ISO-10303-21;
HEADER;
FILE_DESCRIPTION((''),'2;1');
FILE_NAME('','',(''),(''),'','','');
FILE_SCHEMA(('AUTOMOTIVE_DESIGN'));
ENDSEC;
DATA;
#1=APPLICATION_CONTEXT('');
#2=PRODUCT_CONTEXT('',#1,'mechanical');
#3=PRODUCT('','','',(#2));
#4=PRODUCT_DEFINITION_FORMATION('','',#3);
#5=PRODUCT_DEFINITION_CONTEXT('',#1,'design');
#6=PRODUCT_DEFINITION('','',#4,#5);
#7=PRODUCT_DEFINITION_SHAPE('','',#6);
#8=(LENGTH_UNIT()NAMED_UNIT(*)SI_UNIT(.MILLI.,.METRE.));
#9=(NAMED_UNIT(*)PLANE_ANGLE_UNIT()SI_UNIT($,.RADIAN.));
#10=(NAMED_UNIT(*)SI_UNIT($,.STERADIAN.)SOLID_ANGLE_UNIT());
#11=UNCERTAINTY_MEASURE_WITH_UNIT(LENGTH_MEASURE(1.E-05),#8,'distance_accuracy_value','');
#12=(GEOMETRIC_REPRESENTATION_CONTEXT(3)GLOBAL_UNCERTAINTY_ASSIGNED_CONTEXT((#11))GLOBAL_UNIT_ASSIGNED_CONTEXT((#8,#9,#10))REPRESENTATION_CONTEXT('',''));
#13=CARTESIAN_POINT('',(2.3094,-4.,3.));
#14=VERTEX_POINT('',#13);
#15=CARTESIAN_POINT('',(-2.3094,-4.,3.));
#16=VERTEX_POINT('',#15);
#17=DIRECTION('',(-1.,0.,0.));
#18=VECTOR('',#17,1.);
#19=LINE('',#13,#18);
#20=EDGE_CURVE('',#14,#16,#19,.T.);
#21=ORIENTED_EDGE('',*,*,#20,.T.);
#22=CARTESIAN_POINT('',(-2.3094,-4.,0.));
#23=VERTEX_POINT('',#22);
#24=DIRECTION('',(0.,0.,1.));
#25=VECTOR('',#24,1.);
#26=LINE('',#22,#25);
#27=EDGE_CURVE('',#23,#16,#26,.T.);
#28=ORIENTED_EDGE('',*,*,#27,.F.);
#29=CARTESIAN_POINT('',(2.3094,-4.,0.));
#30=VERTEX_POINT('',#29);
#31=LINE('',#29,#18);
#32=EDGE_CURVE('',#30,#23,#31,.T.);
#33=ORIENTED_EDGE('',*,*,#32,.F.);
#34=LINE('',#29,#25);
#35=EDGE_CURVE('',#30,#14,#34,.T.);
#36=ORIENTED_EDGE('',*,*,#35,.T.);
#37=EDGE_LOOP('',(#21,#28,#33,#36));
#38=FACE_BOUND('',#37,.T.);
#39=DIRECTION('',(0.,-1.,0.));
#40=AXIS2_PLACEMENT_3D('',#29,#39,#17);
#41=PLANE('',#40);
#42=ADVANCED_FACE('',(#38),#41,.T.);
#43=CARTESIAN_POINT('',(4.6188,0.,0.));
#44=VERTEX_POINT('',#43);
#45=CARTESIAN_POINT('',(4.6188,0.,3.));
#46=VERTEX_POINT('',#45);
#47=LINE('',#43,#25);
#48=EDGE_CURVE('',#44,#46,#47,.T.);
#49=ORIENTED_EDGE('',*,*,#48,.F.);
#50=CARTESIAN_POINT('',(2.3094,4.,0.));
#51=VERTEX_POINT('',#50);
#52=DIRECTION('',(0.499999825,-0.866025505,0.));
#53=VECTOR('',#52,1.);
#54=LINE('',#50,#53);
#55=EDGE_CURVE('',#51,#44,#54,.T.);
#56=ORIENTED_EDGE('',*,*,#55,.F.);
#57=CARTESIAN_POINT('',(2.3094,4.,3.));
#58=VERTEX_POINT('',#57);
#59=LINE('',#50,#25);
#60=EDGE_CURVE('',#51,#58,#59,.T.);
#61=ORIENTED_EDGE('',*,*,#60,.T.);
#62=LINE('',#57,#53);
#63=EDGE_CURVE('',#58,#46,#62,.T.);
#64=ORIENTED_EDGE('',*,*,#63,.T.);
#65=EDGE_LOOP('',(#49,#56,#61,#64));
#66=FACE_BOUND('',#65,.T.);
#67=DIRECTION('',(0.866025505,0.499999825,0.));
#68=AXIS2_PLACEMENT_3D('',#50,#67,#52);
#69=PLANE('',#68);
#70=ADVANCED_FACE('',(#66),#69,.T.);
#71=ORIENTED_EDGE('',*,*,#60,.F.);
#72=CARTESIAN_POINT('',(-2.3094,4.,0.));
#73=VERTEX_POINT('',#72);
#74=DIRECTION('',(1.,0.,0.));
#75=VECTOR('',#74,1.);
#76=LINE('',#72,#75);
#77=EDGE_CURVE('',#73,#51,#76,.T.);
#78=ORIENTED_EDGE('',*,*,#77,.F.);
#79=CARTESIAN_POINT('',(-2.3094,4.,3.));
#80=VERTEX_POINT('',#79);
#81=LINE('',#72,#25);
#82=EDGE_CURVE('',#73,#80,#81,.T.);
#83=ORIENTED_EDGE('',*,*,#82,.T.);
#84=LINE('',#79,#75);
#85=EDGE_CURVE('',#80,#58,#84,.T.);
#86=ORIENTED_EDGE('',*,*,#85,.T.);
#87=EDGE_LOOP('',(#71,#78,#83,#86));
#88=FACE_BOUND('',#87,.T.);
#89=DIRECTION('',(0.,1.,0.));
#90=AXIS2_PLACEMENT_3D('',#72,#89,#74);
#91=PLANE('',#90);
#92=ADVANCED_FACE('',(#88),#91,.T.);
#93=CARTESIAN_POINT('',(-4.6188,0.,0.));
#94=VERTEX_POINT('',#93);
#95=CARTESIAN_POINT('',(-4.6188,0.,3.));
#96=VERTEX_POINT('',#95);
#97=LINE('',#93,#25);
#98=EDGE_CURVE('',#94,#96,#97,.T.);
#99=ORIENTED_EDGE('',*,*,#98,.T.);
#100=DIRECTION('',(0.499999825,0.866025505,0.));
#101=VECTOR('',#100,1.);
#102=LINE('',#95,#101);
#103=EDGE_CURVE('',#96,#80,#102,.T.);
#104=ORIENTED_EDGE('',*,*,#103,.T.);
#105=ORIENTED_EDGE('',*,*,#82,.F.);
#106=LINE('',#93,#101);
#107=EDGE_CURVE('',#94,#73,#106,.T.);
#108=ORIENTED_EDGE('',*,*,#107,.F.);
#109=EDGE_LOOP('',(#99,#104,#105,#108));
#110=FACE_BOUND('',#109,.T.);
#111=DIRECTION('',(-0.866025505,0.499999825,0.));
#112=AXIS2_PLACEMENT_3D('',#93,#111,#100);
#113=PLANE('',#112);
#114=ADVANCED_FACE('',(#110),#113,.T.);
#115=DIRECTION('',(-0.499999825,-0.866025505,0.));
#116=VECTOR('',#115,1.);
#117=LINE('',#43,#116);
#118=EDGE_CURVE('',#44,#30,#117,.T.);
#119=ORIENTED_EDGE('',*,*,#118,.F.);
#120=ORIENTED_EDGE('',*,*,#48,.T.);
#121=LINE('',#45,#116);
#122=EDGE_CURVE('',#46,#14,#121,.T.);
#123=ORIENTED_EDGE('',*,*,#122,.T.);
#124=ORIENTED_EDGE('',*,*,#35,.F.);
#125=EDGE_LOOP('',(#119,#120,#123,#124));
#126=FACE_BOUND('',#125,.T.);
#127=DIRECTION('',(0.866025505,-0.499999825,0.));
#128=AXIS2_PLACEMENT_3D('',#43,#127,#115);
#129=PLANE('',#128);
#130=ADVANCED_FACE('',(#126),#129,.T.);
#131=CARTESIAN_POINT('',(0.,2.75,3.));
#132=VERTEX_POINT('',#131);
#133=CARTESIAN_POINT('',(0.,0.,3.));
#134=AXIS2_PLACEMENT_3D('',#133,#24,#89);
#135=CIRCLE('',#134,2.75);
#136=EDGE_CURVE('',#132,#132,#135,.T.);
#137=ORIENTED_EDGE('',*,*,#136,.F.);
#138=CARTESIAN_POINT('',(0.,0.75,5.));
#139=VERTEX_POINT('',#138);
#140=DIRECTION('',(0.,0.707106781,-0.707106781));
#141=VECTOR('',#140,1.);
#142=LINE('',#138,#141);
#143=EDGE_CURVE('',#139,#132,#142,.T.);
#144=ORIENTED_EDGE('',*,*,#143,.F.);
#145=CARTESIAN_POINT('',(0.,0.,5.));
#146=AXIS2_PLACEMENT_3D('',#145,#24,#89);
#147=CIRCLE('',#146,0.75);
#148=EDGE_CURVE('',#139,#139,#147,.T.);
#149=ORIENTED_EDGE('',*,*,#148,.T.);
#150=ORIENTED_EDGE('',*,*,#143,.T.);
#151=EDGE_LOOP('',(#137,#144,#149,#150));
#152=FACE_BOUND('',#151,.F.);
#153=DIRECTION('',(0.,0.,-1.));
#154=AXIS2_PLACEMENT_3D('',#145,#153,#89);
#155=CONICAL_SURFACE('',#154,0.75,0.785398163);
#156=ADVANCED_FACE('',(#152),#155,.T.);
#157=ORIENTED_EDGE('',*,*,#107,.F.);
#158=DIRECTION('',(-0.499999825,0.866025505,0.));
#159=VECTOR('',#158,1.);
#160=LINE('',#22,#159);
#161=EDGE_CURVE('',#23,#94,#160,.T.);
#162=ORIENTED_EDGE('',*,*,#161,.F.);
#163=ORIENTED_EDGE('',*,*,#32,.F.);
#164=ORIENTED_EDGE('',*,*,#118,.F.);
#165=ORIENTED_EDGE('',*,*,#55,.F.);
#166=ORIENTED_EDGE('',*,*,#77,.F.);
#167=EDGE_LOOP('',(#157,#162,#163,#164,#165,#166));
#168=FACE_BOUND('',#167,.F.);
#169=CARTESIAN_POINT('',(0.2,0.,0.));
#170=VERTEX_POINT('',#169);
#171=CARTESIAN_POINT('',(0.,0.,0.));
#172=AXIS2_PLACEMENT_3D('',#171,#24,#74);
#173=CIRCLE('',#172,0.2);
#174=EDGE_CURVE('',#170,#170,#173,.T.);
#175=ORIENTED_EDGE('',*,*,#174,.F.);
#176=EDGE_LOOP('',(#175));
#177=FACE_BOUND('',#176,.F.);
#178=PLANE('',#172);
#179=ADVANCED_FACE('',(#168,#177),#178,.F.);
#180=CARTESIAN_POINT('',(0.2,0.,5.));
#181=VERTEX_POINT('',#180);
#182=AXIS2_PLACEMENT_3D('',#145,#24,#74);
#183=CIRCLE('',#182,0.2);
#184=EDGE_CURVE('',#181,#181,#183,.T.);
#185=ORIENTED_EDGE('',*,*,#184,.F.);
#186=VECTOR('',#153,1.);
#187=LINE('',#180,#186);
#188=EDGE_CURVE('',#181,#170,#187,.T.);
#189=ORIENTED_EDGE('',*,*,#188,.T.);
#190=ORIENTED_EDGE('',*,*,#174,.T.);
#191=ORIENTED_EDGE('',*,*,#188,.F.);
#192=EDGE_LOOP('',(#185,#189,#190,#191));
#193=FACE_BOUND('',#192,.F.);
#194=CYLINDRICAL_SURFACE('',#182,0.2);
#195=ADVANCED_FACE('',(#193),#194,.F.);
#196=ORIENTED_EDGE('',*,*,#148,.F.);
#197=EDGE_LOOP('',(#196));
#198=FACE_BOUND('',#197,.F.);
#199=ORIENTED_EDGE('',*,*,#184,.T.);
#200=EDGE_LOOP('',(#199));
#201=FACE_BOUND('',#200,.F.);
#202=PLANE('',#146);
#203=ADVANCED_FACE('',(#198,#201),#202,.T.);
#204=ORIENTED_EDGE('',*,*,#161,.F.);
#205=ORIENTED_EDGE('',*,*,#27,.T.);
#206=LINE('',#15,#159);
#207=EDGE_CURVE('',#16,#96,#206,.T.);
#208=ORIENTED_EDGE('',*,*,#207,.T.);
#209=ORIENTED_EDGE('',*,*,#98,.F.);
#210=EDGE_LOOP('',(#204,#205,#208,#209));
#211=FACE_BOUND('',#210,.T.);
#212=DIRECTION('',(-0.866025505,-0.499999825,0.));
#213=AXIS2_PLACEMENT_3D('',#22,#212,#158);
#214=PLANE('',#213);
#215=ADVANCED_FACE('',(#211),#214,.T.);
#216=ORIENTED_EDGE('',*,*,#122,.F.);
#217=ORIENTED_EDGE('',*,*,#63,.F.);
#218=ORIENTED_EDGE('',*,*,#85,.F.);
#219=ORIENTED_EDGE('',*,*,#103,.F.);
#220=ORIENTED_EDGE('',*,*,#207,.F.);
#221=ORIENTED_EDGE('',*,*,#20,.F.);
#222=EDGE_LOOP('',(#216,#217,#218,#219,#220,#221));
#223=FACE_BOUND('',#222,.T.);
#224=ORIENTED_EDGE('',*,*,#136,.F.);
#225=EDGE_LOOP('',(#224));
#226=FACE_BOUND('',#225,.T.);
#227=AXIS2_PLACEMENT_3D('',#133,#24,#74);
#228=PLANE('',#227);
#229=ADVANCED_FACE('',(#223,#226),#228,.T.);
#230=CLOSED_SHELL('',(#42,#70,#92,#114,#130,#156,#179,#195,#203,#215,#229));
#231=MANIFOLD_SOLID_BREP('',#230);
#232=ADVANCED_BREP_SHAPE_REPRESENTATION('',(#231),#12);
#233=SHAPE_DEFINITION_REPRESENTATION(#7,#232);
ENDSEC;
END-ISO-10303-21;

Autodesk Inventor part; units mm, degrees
ref_plane "XZ Plane" through (0, 0, 0) normal (0, 1, 0) x (-1, 0, 0)
ref_plane "XY Plane" through (0, 0, 0) normal (0, 0, 1) x (1, 0, 0)
sketch "Sketch1" plane through (0, 0, 0) normal (0, 0, 1) x (1, 0, 0)
  line L0 (2.3094, 4) -> (4.6188, 0)
  line L1 (4.6188, 0) -> (2.3094, -4)
  line L2 (2.3094, -4) -> (-2.3094, -4)
  line L3 (-2.3094, -4) -> (-4.6188, 0)
  line L4 (-4.6188, 0) -> (-2.3094, 4)
  line L5 (-2.3094, 4) -> (2.3094, 4)
  point P0 (0, 0)
  point P1 (0, 0)
  dimension "d0" = 8
extrude "Extrusion1" add sketch "Sketch1" along normal blind 3
ref_plane "Work Plane1" through (0, 0, 0) normal (1, 0, 0) x (0, 1, 0)
sketch "Sketch2" plane through (0, 0, 0) normal (1, 0, 0) x (0, 1, 0)
  line L0 (0, 0) -> (-4, 0) projected
  line L1 (0, 0) -> (0, 3) projected
  line L2 (-4, 3) -> (0, 3) projected
  line L3 (-4, 0) -> (-4, 3) projected
  line L4 (4, 0) -> (0, 0) projected
  line L5 (4, 0) -> (4, 3) projected
  line L6 (0, 3) -> (4, 3) projected
  line L7 (0, 0) -> (0, 3) projected
  line L8 (0, 3) -> (0, 5)
  line L9 (0, 5) -> (0.75, 5)
  line L10 (0.75, 5) -> (2.75, 3)
  line L11 (0, 3) -> (2.75, 3)
  point P0 (0, 0)
  dimension "d4" = 2
  dimension "d5" = 0.75
  dimension "d6" = 2.75
revolve "Revolution1" add sketch "Sketch2" angle 360 about axis through (0, 0, 3) along (0, 0, 1) contours L8 L9 L10 L6
sketch "Sketch3" plane through (0, 0, 5) normal (0, 0, 1) x (1, 0, 0)
  circle A0 centre (0, 0) radius 0.75 projected
  circle A1 centre (0, 0) radius 0.2
  dimension "d8" = 0.4
extrude "Extrusion2" cut sketch "Sketch3" against normal through all contours A1
properties part number "nozzle" material "Brass, Soft Yellow"
